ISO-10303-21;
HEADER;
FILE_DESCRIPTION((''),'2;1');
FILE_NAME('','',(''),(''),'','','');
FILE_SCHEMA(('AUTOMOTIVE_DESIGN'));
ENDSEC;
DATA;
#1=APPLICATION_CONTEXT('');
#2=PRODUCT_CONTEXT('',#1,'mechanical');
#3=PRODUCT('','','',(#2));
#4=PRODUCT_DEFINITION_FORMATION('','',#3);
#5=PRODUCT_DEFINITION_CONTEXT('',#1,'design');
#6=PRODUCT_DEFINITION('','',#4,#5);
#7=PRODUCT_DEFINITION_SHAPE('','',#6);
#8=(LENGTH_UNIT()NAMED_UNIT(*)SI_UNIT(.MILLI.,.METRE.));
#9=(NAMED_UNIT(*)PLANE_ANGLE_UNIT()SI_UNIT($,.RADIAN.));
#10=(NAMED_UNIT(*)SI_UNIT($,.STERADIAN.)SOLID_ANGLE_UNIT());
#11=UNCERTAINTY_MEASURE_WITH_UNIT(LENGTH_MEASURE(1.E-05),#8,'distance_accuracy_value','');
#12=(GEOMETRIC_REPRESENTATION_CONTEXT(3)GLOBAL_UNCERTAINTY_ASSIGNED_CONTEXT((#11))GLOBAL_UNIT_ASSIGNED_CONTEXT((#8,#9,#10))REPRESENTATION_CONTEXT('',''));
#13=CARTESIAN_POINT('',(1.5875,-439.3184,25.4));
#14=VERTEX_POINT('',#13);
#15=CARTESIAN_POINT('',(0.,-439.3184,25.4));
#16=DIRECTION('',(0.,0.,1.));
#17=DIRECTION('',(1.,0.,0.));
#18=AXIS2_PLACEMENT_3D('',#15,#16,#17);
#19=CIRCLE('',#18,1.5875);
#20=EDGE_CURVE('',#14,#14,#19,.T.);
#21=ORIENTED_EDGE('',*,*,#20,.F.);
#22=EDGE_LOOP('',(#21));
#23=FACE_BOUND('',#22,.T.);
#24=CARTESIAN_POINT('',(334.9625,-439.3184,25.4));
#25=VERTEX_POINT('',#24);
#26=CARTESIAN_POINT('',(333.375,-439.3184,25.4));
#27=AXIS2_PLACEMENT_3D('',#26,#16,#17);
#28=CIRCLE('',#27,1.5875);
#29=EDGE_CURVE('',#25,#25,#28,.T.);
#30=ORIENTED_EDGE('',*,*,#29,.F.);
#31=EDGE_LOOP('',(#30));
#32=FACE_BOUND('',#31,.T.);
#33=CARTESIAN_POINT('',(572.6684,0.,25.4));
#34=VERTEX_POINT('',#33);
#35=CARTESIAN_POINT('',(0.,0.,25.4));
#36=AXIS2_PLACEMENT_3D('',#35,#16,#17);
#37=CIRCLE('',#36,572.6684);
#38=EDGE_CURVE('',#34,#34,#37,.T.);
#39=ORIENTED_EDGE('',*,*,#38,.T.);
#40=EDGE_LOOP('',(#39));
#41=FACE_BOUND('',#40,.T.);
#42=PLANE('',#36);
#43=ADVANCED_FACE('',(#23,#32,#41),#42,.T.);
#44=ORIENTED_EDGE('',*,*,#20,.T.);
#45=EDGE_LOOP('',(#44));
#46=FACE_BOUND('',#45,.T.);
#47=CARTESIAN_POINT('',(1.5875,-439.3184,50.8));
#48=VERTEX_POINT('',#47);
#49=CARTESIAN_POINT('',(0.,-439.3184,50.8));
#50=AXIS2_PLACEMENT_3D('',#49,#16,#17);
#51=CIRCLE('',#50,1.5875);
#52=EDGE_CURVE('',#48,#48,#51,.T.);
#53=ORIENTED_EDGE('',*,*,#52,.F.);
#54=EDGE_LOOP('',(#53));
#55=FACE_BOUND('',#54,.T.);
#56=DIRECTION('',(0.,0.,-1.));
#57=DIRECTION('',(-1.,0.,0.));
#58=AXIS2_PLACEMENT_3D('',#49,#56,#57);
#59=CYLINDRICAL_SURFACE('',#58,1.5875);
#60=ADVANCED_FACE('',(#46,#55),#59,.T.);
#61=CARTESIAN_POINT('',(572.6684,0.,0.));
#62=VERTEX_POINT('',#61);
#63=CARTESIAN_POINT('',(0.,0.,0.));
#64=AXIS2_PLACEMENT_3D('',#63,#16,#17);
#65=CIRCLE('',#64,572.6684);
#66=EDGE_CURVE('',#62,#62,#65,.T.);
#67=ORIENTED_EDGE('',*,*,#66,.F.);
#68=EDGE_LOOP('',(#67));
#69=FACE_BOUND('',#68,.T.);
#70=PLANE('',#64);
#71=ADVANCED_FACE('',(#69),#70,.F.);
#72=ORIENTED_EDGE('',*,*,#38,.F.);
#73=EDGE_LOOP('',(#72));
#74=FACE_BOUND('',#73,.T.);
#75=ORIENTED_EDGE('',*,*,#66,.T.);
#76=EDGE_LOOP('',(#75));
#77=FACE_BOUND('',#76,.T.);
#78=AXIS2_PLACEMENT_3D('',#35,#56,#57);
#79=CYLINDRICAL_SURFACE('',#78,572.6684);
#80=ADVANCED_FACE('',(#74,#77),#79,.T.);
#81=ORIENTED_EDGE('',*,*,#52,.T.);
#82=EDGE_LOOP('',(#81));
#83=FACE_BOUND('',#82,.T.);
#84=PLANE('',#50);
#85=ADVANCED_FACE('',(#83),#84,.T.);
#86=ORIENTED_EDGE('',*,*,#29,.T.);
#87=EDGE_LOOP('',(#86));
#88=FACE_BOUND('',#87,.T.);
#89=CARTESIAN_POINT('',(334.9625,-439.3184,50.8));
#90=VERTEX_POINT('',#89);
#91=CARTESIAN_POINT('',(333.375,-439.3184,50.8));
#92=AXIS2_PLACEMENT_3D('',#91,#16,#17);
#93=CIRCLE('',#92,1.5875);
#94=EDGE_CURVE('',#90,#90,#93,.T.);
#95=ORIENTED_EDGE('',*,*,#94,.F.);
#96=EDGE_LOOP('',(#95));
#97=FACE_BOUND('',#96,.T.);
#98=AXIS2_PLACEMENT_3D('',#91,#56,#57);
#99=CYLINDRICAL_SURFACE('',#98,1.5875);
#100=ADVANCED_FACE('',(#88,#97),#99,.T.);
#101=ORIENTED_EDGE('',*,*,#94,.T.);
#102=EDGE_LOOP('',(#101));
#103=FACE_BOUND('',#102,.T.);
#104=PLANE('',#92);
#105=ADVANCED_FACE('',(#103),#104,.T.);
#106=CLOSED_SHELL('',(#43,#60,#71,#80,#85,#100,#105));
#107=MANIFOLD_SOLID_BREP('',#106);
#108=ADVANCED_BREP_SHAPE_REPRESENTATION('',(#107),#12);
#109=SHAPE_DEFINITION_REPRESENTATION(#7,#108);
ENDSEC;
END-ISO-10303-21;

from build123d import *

# Parameters (mm, degrees)
SKETCH1_R           = 572.6684
BOSS_EXTRUDE1_DEPTH = 25.4
SKETCH2_R           = 1.5875
BOSS_EXTRUDE2_DEPTH = 25.4


with BuildPart() as part:
    # Sketch1 → Boss-Extrude1 (new body)
    with BuildSketch(Plane.XY):
        Circle(SKETCH1_R)
    extrude(amount=BOSS_EXTRUDE1_DEPTH)

    # Sketch2 → Boss-Extrude2 (add)
    with BuildSketch(Plane.XY.offset(25.4)):
        with Locations((0, -439.3184)):
            Circle(SKETCH2_R)
        with Locations((333.375, -439.3184)):
            Circle(SKETCH2_R)
    extrude(amount=BOSS_EXTRUDE2_DEPTH)


solid = part.part
